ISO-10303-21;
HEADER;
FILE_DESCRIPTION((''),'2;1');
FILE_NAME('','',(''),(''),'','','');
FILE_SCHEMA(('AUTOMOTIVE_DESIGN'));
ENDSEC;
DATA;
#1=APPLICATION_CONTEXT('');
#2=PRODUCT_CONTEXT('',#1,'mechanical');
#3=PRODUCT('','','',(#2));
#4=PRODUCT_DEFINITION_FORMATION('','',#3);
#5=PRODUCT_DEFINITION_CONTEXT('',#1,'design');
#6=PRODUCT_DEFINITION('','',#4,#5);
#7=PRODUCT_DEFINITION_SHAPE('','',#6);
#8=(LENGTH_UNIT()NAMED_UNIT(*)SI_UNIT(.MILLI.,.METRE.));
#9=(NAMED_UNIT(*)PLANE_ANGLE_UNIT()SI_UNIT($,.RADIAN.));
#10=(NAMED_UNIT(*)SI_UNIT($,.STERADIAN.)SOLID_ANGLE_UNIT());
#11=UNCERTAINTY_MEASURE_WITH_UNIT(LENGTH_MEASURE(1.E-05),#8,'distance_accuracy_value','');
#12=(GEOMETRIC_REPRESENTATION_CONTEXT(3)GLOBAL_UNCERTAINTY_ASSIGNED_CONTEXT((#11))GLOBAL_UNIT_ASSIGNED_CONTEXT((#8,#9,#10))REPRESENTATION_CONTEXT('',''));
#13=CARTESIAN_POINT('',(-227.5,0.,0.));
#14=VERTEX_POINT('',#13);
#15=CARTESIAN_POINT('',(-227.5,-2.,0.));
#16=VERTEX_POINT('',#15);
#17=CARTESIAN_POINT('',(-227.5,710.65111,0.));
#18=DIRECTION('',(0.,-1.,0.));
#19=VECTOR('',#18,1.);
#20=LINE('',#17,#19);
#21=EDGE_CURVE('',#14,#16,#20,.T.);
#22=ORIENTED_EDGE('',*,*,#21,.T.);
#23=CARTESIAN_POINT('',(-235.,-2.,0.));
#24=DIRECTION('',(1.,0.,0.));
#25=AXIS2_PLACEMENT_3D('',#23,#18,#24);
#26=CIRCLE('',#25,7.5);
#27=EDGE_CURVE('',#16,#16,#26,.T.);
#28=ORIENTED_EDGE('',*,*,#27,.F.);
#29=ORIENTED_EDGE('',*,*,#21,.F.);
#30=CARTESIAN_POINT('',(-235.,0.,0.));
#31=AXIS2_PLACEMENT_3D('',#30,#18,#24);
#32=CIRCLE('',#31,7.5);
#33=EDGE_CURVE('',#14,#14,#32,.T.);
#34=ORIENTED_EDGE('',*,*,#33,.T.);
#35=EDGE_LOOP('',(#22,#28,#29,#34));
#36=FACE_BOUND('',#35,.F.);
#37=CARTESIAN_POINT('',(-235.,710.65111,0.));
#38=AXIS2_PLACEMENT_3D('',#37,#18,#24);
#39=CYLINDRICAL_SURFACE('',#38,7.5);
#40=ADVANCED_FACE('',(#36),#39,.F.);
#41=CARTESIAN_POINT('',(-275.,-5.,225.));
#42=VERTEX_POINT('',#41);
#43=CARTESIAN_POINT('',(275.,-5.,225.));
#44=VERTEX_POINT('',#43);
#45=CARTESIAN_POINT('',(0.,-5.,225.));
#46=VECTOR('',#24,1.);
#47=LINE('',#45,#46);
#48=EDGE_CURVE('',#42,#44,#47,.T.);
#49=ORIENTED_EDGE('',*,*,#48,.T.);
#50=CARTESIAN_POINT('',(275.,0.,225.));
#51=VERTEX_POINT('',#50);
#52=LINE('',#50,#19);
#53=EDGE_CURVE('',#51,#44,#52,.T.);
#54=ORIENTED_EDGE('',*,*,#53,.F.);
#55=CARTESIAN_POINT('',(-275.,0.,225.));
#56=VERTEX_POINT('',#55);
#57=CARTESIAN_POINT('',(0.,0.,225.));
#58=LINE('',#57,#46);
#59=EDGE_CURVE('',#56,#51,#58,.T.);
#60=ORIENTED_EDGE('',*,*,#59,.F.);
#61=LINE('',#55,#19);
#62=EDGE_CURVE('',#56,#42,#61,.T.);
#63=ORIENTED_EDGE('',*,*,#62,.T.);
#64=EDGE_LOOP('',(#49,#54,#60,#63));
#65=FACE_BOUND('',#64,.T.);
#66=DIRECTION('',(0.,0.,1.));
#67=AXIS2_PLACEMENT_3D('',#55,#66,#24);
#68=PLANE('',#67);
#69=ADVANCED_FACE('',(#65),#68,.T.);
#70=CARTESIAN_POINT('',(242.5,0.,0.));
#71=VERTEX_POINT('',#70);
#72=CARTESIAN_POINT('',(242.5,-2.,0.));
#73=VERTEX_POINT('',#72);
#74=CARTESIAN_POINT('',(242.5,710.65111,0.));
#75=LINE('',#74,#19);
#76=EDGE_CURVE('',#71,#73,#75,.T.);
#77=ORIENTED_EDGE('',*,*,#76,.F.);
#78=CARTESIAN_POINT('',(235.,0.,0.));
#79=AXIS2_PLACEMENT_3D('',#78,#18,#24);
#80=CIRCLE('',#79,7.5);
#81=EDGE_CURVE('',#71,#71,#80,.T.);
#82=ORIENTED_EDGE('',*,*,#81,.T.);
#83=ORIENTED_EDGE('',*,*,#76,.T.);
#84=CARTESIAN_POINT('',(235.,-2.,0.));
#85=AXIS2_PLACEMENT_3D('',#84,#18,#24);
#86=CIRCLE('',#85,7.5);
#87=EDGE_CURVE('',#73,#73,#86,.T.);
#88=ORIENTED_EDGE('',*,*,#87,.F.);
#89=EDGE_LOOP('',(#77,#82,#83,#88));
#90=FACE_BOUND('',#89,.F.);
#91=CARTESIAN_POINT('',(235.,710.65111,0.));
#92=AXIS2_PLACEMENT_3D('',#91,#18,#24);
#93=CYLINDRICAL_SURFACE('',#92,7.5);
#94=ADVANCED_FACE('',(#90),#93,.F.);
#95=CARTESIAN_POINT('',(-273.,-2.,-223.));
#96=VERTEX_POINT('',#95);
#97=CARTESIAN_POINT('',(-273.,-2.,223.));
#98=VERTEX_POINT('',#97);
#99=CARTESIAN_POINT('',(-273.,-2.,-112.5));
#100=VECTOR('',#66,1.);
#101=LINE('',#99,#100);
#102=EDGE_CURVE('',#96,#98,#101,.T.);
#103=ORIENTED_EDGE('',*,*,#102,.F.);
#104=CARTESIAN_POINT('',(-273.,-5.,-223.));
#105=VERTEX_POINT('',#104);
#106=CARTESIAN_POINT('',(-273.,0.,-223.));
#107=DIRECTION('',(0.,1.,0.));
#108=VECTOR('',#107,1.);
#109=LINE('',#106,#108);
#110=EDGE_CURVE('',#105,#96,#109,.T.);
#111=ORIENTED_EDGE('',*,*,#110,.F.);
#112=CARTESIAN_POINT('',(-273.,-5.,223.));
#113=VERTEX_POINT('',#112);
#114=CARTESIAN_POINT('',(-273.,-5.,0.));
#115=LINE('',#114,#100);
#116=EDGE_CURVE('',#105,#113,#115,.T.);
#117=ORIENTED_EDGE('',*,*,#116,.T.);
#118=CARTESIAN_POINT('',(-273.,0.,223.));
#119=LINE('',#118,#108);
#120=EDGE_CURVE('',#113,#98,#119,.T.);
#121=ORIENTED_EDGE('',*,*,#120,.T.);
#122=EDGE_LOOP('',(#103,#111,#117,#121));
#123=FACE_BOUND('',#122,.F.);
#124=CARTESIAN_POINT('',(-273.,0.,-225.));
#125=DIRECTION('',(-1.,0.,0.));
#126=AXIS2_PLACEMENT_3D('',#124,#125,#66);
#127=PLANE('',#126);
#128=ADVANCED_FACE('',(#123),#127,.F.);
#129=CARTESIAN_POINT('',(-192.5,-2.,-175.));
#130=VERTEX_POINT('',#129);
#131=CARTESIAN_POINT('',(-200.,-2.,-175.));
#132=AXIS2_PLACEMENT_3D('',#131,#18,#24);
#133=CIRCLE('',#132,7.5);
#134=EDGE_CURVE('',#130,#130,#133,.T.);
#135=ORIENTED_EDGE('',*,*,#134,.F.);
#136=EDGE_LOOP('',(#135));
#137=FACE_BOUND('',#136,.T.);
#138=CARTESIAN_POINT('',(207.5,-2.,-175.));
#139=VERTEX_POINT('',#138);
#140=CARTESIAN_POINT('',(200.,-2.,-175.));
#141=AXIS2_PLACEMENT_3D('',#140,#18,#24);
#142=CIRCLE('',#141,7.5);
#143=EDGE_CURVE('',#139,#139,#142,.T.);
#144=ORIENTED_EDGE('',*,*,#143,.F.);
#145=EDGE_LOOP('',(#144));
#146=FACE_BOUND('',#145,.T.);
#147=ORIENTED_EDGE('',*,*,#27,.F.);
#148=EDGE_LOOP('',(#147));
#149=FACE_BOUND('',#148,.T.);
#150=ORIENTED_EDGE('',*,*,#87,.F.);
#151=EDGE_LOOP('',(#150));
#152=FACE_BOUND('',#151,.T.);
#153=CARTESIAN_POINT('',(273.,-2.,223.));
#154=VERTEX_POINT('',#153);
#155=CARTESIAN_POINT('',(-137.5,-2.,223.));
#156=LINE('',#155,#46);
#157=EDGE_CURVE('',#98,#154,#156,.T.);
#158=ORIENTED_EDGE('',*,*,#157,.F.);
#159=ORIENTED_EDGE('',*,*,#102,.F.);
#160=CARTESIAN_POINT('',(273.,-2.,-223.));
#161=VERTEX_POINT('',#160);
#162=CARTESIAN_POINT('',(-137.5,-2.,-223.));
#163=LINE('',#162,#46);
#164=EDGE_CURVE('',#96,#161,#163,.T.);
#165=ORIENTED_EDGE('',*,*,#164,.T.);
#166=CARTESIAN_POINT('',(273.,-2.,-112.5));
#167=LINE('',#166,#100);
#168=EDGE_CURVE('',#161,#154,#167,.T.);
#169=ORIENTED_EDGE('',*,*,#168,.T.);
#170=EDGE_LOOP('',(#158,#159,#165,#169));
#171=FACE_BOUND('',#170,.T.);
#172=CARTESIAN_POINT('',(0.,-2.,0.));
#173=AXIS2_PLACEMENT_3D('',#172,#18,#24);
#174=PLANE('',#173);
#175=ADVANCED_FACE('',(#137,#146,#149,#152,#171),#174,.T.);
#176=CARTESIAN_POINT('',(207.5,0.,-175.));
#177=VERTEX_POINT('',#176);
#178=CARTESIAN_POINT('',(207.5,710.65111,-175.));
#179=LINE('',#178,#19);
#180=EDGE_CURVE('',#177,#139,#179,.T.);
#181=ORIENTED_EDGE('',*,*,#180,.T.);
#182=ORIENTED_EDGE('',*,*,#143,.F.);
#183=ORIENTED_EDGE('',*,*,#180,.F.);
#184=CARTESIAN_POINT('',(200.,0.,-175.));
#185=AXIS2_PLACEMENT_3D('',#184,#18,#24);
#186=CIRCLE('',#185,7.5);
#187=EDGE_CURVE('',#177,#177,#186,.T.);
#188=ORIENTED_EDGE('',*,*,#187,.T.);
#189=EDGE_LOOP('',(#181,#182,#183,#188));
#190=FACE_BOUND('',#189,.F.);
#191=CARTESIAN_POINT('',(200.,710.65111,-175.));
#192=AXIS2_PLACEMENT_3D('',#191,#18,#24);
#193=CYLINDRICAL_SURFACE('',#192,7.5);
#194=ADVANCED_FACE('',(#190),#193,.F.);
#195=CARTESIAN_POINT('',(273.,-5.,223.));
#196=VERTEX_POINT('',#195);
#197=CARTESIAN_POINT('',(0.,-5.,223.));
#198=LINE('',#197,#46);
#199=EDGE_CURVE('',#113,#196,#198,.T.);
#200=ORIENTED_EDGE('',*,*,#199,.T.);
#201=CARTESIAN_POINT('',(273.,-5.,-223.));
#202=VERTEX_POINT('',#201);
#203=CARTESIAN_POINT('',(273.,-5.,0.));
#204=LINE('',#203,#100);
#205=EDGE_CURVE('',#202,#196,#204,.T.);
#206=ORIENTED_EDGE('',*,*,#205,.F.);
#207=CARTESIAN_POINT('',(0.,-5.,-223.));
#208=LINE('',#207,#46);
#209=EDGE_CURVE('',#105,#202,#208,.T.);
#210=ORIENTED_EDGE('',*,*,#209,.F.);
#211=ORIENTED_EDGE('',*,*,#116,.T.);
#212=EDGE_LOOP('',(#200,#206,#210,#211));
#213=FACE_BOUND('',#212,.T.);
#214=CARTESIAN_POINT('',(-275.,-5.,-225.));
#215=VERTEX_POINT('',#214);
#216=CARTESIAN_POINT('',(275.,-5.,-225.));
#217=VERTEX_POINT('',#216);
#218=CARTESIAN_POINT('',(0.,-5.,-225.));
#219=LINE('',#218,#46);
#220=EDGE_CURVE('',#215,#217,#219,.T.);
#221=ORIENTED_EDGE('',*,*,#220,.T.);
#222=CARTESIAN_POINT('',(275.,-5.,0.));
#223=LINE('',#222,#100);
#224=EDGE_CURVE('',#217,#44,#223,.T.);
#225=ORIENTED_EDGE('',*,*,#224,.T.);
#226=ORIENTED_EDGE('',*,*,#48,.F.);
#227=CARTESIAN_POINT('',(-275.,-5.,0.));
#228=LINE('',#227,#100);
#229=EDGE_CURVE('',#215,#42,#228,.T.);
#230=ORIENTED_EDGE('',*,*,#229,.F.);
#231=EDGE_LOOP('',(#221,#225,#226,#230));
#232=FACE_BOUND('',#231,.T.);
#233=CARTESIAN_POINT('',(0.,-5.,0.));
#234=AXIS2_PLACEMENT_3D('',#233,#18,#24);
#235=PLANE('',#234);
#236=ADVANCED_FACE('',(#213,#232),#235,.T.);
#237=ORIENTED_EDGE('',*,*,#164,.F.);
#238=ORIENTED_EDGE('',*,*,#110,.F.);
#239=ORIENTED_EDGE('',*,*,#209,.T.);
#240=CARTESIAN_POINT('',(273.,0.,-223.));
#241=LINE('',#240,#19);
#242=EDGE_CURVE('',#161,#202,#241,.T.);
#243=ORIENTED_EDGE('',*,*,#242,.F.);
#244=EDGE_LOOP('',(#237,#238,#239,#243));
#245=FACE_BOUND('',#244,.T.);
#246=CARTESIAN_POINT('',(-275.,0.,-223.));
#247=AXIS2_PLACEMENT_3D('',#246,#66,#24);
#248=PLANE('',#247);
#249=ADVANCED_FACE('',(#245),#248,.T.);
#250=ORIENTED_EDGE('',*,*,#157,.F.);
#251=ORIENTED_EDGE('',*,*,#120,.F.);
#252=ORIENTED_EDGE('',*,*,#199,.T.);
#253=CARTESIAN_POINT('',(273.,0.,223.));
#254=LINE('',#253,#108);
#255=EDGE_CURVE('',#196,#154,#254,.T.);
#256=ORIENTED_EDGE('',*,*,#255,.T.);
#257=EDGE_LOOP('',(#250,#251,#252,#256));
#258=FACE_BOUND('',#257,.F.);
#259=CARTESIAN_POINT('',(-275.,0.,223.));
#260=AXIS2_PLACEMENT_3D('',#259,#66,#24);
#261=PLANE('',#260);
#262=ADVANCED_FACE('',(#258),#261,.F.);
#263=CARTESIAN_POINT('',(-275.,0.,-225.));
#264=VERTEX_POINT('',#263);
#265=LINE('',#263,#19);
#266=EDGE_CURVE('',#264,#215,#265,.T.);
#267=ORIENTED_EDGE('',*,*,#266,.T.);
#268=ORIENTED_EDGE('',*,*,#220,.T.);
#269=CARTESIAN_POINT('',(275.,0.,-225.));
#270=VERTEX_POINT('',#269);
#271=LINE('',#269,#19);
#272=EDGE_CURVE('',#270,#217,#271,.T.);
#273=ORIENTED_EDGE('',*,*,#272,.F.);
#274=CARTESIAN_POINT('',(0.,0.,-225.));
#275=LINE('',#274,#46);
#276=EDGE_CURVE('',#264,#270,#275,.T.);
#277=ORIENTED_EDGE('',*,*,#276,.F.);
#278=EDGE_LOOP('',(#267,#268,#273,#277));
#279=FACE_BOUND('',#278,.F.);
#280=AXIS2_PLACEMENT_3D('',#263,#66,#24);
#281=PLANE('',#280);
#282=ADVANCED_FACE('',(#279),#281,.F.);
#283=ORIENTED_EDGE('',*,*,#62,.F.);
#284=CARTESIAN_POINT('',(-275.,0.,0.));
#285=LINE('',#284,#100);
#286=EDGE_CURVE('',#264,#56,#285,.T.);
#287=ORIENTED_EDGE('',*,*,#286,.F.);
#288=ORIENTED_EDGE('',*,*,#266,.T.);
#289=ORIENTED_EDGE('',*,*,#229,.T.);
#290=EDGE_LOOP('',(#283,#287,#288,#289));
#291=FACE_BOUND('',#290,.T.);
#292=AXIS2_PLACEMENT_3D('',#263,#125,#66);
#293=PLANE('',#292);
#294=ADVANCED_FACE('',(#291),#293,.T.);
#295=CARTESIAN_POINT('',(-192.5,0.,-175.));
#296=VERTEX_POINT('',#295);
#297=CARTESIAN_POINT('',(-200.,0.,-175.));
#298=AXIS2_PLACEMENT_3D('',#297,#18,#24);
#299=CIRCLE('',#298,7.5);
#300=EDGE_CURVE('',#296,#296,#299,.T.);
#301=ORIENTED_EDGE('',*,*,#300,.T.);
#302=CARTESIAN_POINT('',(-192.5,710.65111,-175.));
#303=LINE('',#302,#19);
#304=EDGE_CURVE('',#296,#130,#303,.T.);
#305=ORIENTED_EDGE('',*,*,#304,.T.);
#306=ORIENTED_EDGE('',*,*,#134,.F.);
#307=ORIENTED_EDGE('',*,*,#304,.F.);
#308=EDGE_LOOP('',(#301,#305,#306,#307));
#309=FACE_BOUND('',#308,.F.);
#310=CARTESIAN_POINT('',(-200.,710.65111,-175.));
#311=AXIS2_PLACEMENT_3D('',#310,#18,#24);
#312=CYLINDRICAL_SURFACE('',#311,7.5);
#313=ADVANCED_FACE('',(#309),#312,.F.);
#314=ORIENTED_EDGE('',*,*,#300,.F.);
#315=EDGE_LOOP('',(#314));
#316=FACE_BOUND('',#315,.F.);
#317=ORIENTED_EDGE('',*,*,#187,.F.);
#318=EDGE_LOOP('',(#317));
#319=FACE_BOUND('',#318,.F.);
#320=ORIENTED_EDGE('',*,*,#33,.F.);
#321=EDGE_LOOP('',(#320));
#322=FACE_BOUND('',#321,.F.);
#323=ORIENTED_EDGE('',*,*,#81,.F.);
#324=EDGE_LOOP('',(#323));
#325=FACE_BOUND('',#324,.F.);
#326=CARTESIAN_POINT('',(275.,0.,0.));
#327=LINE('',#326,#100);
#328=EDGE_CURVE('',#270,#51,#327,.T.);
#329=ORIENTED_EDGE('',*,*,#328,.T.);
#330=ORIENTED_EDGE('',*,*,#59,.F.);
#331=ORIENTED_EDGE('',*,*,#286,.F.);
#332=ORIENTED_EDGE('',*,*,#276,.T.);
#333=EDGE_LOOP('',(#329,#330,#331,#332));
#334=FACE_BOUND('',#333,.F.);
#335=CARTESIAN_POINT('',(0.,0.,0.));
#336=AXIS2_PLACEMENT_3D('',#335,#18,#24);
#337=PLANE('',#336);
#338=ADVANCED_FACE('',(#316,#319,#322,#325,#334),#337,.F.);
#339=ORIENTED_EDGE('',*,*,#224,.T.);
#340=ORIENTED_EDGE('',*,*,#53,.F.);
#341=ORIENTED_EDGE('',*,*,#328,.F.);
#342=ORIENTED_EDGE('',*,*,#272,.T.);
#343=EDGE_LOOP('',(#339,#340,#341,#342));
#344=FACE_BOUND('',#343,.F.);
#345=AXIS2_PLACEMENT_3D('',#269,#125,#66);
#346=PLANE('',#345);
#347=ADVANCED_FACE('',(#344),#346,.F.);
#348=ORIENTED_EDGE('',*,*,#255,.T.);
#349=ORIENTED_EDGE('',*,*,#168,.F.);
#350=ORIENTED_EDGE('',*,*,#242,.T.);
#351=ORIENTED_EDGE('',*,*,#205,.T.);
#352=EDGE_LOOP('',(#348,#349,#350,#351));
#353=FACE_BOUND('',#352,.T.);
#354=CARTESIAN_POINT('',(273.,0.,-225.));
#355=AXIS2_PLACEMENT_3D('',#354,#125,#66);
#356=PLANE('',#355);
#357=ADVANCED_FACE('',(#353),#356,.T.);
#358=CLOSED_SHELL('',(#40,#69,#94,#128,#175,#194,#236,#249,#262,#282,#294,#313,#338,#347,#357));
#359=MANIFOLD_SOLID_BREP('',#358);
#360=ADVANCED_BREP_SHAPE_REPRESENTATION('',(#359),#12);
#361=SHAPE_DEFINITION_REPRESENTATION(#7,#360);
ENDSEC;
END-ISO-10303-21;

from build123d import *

# Parameters (mm, degrees)
F0_W     = 550
F0_H     = 450
F1_DEPTH = 5
F2_T     = -2
F4_D     = 15


with BuildPart() as f1:
    # F0 (on Front) → F1 (new body)
    with BuildSketch(Plane.XZ):
        Rectangle(F0_W, F0_H)
    extrude(amount=F1_DEPTH)

    # F2
    f2_openings = [f1.faces().sort_by_distance(p)[0] for p in [
        (0, -5, 0),
    ]]
    offset(amount=F2_T, openings=f2_openings)

    # F4 (through all)
    with Locations(Plane(origin=(0, 0, 0), x_dir=(-1, 0, 0), z_dir=(0, 1, 0))):
        with Locations((235, 0), (-235, 0), (-200, -175), (200, -175)):
            Hole(F4_D / 2)


solid = f1.part
